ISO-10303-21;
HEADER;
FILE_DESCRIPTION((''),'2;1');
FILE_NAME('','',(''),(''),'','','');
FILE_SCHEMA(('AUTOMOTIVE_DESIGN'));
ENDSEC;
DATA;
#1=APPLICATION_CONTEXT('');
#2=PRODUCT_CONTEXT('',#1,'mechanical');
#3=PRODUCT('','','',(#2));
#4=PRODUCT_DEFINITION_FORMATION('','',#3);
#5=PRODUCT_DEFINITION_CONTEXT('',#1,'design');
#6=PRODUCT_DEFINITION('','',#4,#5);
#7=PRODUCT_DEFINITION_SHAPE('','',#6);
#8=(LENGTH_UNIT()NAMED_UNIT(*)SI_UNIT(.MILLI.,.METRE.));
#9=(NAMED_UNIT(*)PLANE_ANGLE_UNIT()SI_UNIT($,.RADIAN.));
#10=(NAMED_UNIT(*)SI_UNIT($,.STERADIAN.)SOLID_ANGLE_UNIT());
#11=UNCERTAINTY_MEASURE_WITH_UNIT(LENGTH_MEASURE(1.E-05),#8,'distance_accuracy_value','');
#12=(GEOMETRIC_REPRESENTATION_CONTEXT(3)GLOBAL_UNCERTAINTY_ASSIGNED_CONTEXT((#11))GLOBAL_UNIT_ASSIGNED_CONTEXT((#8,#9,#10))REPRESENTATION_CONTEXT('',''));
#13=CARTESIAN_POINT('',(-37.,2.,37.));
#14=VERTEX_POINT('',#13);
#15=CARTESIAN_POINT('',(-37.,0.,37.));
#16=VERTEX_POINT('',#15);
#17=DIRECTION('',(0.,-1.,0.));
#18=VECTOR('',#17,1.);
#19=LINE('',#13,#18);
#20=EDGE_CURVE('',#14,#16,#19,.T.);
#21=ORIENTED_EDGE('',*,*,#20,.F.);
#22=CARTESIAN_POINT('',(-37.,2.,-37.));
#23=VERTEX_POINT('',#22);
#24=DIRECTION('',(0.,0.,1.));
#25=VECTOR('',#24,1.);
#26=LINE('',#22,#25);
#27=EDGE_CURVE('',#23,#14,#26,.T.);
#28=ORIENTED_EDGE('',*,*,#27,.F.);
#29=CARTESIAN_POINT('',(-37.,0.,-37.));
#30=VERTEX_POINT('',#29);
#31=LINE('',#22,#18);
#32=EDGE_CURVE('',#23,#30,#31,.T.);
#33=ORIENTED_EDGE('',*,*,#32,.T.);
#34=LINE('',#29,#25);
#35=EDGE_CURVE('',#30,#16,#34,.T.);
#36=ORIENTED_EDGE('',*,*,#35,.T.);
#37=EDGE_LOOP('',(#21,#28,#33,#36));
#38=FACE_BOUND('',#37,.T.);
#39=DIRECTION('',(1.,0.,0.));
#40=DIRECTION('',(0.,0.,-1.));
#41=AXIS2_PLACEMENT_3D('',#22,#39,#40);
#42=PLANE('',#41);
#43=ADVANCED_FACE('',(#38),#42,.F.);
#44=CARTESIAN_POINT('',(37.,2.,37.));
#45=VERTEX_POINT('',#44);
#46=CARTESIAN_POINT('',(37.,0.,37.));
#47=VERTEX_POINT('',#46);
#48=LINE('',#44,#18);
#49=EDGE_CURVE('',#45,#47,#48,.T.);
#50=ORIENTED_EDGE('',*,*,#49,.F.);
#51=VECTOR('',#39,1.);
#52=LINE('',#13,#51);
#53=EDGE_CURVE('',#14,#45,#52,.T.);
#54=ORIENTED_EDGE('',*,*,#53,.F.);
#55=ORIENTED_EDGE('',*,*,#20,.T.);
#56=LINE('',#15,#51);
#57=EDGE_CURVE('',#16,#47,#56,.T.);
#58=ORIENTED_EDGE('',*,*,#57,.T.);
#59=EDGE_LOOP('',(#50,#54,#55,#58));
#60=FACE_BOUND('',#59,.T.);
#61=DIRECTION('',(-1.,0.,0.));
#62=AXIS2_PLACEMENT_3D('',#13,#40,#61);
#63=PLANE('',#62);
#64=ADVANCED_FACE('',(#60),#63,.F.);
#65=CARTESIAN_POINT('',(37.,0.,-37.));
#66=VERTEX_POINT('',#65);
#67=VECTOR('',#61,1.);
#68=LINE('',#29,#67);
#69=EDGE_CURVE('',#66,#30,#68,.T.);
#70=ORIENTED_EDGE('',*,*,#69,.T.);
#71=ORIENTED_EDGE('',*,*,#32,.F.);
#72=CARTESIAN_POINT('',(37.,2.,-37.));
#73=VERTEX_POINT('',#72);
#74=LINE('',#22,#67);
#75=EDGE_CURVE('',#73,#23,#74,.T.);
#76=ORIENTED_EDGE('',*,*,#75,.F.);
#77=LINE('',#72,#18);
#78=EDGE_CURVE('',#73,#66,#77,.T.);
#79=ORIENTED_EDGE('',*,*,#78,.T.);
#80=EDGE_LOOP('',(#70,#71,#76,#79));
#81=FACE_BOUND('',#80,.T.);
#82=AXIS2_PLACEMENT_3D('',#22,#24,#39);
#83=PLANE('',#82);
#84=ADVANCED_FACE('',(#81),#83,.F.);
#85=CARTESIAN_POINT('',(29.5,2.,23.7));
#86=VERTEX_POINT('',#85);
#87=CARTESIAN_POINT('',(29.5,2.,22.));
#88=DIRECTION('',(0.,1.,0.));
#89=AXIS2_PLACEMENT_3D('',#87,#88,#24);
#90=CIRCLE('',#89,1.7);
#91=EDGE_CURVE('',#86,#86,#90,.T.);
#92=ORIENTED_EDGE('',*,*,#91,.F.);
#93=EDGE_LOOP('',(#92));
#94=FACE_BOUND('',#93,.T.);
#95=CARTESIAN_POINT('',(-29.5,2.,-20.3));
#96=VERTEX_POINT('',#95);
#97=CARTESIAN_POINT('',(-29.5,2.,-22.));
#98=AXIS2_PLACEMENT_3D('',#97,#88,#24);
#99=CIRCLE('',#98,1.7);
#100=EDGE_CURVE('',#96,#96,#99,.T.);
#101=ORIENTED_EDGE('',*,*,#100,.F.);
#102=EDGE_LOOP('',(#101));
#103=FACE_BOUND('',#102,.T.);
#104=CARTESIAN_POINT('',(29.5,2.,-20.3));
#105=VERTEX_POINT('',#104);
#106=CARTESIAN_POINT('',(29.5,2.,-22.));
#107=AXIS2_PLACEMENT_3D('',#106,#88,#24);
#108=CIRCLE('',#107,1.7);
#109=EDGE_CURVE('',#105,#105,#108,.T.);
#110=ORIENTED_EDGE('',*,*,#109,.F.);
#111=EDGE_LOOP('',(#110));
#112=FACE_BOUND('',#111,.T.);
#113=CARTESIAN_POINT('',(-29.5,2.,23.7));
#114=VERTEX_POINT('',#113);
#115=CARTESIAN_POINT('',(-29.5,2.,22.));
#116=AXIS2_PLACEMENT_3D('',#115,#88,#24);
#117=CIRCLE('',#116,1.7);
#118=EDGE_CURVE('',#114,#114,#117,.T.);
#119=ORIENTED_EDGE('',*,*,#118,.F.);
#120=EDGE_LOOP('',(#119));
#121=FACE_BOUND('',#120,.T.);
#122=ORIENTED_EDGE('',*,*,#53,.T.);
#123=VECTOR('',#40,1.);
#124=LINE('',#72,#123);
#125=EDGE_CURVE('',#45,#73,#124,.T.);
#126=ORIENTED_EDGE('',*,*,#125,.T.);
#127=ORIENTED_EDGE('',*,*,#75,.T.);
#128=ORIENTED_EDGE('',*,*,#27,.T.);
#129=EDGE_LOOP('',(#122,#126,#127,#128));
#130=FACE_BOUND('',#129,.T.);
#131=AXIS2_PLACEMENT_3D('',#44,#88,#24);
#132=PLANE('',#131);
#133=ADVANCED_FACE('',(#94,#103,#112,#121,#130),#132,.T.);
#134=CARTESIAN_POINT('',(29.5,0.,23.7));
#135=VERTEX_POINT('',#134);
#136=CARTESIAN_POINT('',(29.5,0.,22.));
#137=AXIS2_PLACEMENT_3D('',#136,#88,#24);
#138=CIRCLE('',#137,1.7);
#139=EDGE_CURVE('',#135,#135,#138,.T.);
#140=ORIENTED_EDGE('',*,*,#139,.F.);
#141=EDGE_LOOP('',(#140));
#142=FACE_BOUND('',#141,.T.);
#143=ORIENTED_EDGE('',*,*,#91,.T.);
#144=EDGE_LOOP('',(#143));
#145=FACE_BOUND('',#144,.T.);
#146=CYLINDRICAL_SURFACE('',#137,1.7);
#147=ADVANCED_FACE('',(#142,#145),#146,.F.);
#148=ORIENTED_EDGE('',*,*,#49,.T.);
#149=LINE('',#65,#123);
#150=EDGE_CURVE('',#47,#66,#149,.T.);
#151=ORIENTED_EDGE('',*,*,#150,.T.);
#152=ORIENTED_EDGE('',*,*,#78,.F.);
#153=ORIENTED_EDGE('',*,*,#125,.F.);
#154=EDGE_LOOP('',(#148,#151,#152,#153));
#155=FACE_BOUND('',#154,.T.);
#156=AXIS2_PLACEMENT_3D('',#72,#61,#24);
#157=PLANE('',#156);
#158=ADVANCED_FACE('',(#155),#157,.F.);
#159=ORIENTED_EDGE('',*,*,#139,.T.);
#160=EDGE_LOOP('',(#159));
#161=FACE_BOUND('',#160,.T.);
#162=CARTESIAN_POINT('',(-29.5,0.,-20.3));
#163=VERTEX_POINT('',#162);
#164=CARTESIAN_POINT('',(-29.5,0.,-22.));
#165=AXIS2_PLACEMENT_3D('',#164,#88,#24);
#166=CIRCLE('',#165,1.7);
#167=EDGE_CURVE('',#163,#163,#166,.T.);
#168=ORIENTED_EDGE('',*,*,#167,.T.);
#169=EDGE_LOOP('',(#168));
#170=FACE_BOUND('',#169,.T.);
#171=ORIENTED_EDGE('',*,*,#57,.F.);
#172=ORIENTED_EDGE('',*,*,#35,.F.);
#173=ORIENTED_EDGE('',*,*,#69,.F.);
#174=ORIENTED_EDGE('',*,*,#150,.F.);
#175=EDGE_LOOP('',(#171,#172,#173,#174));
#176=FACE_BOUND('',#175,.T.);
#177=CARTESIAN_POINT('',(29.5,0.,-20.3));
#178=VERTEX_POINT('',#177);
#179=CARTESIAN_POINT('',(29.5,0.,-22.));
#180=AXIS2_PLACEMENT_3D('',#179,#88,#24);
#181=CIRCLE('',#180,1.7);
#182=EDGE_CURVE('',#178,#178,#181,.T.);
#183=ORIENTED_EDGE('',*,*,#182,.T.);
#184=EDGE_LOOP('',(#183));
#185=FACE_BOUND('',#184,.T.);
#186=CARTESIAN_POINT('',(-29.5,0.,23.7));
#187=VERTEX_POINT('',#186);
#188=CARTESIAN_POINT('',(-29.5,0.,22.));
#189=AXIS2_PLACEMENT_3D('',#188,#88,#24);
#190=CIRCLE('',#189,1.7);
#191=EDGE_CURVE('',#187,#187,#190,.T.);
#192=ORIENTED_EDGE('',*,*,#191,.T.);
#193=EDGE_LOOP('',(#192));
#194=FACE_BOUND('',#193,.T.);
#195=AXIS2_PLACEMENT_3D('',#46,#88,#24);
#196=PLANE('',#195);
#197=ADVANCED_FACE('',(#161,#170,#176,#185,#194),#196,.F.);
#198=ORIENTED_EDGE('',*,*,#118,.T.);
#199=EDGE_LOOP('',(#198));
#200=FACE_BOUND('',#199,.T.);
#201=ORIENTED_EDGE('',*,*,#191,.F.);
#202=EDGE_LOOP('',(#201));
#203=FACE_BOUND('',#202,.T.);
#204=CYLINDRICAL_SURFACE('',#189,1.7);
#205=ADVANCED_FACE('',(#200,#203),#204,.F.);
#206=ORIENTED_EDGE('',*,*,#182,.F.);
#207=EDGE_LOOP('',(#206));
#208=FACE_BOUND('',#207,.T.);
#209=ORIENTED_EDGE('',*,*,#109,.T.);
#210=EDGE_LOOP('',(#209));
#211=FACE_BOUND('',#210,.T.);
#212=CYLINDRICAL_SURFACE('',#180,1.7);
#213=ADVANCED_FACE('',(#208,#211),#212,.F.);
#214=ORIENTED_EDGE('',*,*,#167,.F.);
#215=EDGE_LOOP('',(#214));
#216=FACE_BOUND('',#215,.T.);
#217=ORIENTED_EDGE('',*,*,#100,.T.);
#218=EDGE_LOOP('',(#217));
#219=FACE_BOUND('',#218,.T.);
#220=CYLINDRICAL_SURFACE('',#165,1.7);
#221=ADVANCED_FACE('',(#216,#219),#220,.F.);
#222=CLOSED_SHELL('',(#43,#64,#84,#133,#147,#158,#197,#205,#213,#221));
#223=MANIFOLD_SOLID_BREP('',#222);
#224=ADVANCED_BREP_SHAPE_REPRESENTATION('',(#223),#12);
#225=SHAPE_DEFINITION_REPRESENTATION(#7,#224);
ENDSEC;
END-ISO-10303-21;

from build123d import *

# Parameters (mm, degrees)
SKETCH1_W      = 74
SKETCH1_H      = 74
EXTRUDE1_DEPTH = 2
SKETCH2_R      = 1.7
EXTRUDE2_DEPTH = 2


with BuildPart() as part:
    # Sketch1 → Extrude1 (new body)
    with BuildSketch(Plane(origin=(0, 0, 0), x_dir=(1, 0, 0), z_dir=(0, 1, 0))):
        Rectangle(SKETCH1_W, SKETCH1_H)
    extrude(amount=EXTRUDE1_DEPTH)

    # Sketch2 → Extrude2 (cut)
    with BuildSketch(Plane(origin=(0, 2, 0), x_dir=(1, 0, 0), z_dir=(0, 1, 0))):
        with Locations((29.5, 22)):
            Circle(SKETCH2_R)
        with Locations((-29.5, 22)):
            Circle(SKETCH2_R)
        with Locations((-29.5, -22)):
            Circle(SKETCH2_R)
        with Locations((29.5, -22)):
            Circle(SKETCH2_R)
    extrude(amount=-EXTRUDE2_DEPTH, mode=Mode.SUBTRACT)


solid = part.part
